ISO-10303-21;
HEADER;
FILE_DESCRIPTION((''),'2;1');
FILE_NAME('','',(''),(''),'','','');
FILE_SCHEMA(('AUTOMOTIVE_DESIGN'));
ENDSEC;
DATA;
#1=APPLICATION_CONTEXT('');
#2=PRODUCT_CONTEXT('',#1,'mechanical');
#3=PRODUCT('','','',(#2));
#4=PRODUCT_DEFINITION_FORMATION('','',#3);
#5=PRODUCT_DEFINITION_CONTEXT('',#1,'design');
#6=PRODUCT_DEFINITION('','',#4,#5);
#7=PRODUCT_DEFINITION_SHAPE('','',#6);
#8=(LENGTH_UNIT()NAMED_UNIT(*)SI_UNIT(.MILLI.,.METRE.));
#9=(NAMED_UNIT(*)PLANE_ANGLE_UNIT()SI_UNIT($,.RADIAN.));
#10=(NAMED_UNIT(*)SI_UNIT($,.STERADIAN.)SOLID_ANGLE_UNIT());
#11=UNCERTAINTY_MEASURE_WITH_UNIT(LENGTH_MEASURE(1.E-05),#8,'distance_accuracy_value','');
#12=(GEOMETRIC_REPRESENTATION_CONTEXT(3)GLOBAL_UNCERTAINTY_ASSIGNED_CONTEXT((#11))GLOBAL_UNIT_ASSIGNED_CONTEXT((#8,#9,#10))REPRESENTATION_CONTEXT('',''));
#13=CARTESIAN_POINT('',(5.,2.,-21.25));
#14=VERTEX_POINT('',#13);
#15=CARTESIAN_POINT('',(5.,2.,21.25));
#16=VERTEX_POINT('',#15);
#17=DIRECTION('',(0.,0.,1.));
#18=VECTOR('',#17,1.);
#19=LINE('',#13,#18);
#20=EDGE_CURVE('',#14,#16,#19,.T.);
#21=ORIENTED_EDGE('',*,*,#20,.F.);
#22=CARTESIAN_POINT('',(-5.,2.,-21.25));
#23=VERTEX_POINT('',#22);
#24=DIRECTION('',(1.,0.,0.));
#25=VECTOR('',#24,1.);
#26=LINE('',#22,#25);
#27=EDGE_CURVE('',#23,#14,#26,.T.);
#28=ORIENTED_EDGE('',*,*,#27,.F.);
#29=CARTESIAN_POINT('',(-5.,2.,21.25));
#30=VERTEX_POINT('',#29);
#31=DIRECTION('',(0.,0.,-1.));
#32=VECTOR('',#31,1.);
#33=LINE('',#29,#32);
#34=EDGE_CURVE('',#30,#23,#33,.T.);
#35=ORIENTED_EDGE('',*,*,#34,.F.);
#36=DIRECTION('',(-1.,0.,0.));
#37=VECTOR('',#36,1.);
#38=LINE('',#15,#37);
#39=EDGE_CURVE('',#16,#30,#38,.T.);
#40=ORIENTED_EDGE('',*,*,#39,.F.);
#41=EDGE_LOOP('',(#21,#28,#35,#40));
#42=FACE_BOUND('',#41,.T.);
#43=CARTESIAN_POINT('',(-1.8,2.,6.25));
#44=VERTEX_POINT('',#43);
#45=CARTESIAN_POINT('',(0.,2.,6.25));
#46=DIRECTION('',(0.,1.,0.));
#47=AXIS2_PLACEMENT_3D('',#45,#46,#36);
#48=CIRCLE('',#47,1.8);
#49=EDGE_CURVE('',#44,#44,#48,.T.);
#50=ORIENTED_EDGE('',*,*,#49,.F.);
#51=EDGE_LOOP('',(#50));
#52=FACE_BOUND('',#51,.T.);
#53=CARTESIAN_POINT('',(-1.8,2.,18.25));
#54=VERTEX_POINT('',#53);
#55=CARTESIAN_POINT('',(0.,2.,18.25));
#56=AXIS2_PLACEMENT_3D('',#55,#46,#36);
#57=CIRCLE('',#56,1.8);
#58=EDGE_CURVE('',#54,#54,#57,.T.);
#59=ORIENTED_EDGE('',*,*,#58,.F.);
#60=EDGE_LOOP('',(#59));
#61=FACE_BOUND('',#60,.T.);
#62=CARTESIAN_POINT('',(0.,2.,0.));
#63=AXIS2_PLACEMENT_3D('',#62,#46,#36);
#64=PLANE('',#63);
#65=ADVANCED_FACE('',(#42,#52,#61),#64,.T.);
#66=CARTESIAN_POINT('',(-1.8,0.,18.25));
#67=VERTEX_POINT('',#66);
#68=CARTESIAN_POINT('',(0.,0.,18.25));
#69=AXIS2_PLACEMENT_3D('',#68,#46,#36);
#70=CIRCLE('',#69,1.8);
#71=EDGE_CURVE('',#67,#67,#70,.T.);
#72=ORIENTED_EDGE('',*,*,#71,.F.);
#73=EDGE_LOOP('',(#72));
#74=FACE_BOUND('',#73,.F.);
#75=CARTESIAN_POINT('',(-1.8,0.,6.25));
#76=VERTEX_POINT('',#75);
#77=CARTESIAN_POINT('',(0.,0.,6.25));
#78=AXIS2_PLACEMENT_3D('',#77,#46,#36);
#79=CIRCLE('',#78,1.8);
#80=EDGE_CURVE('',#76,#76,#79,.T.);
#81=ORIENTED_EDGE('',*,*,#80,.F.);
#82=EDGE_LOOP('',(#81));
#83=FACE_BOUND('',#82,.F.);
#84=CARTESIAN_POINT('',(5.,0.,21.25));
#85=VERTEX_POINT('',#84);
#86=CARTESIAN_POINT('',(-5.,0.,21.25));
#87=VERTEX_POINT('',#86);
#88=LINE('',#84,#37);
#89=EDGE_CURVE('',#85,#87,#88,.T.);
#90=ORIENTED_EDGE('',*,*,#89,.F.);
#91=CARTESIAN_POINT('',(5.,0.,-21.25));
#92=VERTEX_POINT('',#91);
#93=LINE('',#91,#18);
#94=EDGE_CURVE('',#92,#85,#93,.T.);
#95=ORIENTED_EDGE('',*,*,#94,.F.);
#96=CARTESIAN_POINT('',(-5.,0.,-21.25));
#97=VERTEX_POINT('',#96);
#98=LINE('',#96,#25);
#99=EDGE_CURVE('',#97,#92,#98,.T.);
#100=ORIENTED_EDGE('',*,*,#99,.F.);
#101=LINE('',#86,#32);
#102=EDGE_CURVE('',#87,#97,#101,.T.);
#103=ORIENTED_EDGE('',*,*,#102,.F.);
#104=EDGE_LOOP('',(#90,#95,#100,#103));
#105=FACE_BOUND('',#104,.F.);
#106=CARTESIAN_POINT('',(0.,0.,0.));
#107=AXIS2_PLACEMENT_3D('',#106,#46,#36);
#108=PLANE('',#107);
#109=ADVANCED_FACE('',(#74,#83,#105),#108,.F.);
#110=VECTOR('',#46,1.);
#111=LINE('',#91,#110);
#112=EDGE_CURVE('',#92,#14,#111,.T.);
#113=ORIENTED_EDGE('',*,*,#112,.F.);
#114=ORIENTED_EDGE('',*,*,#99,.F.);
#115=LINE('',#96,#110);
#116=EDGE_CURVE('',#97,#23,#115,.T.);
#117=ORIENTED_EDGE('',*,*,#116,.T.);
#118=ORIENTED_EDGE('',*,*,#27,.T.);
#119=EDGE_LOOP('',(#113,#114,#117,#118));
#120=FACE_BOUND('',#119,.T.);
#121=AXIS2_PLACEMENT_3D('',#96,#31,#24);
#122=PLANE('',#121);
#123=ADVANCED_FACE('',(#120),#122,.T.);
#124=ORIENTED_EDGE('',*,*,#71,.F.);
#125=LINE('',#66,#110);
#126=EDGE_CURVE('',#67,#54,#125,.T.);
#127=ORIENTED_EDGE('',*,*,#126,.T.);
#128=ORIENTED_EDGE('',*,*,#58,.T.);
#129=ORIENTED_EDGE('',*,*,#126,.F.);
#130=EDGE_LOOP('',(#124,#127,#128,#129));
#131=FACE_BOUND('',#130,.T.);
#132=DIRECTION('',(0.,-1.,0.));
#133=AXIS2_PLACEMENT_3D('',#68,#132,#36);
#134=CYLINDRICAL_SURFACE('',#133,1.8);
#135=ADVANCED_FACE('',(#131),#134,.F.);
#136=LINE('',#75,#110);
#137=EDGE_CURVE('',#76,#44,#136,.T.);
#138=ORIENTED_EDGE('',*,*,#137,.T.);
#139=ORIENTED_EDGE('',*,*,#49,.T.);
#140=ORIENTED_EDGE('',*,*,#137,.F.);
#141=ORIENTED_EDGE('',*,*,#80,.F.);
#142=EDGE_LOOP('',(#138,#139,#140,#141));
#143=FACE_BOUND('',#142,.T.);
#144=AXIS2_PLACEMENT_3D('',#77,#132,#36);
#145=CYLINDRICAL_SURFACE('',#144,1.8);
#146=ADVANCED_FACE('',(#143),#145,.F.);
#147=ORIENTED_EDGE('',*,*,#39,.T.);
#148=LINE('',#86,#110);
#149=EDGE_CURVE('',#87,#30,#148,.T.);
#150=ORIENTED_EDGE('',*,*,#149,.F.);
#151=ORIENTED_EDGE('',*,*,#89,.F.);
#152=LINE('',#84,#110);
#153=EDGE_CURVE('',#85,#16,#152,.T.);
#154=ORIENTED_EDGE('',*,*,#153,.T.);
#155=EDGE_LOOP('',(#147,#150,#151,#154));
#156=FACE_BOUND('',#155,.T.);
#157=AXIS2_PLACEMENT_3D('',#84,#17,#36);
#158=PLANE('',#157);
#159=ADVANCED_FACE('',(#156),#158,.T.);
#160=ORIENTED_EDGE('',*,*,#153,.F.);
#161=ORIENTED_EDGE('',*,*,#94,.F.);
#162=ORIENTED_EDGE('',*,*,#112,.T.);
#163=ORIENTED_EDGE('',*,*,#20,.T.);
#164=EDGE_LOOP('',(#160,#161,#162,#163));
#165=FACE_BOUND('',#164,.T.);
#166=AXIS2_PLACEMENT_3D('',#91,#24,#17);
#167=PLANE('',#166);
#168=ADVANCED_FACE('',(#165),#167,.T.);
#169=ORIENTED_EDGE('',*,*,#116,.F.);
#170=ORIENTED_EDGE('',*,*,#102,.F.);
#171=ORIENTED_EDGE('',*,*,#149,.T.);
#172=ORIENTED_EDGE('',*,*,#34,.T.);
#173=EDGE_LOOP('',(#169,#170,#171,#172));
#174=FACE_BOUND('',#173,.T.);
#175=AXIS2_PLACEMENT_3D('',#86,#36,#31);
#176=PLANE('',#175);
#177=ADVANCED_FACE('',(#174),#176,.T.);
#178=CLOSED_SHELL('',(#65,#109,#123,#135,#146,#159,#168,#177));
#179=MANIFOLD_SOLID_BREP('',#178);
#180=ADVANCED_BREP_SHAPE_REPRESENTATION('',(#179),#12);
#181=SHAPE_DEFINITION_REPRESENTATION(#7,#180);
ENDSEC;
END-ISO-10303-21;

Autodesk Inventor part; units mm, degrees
ref_plane "YZ Plane" through (0, 0, 0) normal (1, 0, 0) x (0, 1, 0)
ref_plane "XZ Plane" through (0, 0, 0) normal (0, 1, 0) x (-1, 0, 0)
ref_plane "XY Plane" through (0, 0, 0) normal (0, 0, 1) x (1, 0, 0)
sketch "Sketch1" plane through (0, 0, 0) normal (0, 1, 0) x (-1, 0, 0)
  line L0 (-5, 21.25) -> (5, 21.25)
  line L1 (5, 21.25) -> (5, -21.25)
  line L2 (5, -21.25) -> (-5, -21.25)
  line L3 (-5, -21.25) -> (-5, 21.25)
  line L4 (-5, 21.25) -> (5, -21.25) construction
  line L5 (5, 21.25) -> (-5, -21.25) construction
  circle A0 centre (0, 6.25) radius 1.8
  circle A1 centre (0, 18.25) radius 1.8
  point P0 (0, 0)
  dimension "d0" = 42.5
  dimension "d1" = 10
  dimension "d4" = 15
  dimension "d5" = 3.6
  dimension "d27" = 3.6
  dimension "d28" = 3
extrude "Extrusion1" add sketch "Sketch1" along normal blind 2
sketch "Sketch2" plane through (0, 2, 0) normal (0, 1, 0) x (1, 0, 0)
  line L0 (-5.1166, 21.6617) -> (4.9098, 21.6617) construction
  line L1 (4.9098, 21.6617) -> (4.9098, -21.1785) construction
  line L2 (4.9098, -21.1785) -> (-5.1166, -21.1785) construction
  line L3 (-5.1166, -21.1785) -> (-5.1166, 21.6617) construction
  point P0 (0, 0)
decal "Decal1"
properties part number "sensorInferior"
